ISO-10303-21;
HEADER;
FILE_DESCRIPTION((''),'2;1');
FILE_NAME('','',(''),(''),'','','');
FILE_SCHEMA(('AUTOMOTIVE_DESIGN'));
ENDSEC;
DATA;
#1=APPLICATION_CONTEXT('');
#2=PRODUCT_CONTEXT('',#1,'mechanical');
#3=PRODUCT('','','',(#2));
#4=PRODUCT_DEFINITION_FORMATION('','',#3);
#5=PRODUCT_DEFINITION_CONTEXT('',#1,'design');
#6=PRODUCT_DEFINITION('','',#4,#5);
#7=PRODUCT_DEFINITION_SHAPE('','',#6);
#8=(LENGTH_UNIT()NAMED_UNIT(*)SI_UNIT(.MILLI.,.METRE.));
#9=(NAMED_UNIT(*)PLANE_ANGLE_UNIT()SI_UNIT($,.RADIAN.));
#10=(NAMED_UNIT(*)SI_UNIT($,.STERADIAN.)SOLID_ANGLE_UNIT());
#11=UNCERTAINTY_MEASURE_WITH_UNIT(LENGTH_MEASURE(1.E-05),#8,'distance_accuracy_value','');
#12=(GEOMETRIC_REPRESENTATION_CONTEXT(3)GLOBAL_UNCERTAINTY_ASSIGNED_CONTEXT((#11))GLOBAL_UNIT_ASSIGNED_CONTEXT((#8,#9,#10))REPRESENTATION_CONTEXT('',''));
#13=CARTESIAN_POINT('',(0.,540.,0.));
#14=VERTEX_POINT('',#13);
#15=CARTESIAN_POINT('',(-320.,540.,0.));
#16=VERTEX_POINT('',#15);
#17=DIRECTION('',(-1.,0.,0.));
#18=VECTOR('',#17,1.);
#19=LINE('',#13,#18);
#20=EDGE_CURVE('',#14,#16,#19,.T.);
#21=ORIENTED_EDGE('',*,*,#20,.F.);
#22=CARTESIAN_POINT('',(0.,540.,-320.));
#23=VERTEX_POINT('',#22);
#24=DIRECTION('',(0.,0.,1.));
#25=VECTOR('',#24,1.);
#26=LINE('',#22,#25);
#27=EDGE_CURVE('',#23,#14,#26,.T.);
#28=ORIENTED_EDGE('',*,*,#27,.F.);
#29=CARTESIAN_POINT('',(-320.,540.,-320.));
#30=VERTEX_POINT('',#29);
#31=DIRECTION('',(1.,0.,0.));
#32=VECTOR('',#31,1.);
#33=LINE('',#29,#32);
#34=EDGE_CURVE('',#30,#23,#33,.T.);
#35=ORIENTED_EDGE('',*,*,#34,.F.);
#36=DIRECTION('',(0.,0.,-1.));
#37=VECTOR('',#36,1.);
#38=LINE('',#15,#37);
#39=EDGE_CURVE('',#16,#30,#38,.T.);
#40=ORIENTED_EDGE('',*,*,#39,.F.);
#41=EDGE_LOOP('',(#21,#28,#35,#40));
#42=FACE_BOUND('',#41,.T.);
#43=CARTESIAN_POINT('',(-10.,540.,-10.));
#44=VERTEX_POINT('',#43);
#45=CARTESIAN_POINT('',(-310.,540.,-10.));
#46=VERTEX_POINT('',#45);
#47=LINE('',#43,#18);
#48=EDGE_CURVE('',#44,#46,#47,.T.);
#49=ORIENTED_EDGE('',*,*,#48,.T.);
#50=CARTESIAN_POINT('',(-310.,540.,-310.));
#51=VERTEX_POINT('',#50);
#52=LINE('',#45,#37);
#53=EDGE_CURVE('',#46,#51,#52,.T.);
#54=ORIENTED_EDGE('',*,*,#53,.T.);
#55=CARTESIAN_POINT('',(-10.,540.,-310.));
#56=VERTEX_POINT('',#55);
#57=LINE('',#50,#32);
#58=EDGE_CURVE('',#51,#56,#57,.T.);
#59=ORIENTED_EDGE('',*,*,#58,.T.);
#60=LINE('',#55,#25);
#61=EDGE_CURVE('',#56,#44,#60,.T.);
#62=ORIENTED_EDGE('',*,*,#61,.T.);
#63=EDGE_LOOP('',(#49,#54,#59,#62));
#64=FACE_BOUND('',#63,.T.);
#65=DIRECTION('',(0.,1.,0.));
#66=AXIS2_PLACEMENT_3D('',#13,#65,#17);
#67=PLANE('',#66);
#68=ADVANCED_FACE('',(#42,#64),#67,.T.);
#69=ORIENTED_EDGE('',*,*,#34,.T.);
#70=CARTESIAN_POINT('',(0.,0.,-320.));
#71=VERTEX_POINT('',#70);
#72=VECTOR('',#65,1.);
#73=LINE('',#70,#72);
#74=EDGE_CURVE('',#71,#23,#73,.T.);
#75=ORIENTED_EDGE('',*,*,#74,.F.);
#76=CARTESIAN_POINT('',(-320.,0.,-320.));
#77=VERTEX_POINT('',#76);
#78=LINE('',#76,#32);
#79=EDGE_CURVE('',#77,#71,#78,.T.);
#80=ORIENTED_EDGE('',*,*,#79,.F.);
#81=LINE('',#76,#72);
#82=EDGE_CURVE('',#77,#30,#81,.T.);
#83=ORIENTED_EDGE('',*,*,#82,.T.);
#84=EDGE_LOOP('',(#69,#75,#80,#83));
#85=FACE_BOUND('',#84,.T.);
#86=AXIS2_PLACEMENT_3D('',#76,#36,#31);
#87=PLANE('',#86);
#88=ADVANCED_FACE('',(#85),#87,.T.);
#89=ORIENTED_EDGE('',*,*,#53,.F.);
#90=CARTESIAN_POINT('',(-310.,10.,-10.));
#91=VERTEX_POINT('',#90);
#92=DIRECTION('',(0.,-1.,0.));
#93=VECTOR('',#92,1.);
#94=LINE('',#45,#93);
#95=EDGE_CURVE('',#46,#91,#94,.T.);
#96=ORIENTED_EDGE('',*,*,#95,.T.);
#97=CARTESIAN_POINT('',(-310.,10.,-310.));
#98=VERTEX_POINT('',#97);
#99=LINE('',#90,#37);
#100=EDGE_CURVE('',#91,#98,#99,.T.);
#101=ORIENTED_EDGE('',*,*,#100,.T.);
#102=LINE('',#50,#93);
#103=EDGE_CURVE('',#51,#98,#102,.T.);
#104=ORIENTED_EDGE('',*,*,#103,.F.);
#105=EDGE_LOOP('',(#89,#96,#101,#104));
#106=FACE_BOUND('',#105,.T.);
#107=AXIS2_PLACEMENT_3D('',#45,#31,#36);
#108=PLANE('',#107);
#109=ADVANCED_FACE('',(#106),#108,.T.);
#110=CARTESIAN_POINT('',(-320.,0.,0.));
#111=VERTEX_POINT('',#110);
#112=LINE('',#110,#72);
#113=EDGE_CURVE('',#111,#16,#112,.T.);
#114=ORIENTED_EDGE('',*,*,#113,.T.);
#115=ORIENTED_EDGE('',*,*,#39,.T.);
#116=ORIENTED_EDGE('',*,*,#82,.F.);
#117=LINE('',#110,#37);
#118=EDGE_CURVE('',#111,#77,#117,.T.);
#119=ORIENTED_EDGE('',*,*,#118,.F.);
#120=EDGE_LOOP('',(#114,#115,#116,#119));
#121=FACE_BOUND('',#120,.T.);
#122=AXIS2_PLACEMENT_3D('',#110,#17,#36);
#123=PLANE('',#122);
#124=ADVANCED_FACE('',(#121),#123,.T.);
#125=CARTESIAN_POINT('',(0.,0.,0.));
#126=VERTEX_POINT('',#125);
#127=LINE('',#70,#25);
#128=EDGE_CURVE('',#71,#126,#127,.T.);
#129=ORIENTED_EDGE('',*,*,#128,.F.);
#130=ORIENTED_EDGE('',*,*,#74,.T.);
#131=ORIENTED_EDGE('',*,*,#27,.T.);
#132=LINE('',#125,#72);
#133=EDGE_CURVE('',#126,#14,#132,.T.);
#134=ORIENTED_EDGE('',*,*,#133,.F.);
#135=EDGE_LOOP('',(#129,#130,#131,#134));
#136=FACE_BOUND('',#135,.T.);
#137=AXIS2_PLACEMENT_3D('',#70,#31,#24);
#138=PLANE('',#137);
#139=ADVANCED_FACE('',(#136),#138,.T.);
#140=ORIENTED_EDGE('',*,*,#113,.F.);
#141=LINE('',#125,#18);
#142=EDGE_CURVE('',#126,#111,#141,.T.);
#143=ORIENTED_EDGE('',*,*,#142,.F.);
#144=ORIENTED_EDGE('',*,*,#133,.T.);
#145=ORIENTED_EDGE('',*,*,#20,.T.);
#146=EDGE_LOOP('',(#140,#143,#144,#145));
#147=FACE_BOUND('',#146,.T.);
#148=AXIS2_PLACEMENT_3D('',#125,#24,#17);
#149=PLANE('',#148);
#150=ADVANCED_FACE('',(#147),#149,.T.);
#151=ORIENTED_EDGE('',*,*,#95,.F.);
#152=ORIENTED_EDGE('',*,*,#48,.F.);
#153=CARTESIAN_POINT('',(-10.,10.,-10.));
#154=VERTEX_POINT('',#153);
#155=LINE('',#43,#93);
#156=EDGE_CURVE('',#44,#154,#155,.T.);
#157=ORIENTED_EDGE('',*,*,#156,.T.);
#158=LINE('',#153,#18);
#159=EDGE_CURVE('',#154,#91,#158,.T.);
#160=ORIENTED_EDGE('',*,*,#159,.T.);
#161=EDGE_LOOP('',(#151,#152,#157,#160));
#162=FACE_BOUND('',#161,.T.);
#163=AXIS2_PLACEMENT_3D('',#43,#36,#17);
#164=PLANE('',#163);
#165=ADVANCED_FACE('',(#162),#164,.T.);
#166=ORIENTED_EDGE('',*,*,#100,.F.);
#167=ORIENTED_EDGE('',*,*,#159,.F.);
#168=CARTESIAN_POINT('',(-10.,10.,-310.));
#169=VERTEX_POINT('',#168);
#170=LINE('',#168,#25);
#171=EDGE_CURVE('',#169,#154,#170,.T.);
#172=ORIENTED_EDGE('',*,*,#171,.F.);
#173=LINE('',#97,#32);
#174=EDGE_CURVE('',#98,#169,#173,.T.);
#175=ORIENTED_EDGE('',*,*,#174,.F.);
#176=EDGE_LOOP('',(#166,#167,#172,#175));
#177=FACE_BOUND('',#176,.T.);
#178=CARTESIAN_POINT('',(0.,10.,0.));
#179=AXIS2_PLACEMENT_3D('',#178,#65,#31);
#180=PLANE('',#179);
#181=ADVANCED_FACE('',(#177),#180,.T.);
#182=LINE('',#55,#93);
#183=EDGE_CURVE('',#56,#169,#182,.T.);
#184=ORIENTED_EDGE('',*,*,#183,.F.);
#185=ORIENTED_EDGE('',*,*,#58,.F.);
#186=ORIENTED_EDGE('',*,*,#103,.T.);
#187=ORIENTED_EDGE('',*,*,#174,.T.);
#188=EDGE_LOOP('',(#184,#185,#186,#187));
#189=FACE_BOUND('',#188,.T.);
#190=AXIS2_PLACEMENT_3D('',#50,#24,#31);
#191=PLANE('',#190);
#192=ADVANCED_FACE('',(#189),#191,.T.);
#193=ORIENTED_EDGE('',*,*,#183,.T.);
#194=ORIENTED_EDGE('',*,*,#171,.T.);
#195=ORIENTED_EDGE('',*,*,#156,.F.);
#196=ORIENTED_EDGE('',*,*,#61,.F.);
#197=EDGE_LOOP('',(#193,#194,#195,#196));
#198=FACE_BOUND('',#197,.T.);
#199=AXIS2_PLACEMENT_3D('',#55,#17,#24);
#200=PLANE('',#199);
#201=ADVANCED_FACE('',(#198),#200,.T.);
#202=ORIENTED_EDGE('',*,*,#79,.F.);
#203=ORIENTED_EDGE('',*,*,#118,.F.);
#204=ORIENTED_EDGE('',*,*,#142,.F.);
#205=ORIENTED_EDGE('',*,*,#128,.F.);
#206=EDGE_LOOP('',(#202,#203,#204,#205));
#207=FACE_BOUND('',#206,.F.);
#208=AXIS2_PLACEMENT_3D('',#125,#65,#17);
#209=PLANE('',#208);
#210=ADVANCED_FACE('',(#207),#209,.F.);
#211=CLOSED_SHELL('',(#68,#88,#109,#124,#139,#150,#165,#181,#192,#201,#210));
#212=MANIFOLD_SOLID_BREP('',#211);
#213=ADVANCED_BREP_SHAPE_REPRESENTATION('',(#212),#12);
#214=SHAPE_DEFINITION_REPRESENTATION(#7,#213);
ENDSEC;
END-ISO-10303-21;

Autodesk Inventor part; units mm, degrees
ref_plane "YZ Plane" through (0, 0, 0) normal (1, 0, 0) x (0, 1, 0)
ref_plane "XZ Plane" through (0, 0, 0) normal (0, 1, 0) x (-1, 0, 0)
ref_plane "XY Plane" through (0, 0, 0) normal (0, 0, 1) x (1, 0, 0)
sketch "Sketch1" plane through (0, 0, 0) normal (0, 1, 0) x (-1, 0, 0)
  line L0 (0, 0) -> (320, 0)
  line L1 (320, 0) -> (320, -320)
  line L2 (320, -320) -> (0, -320)
  line L3 (0, -320) -> (0, 0)
  dimension "d0" = 320
  dimension "d1" = 320
extrude "Extrusion1" add sketch "Sketch1" along normal blind 540
sketch "Sketch2" plane through (0, 540, 0) normal (0, 1, 0) x (1, 0, 0)
  line L0 (-310, 310) -> (-10, 310)
  line L1 (-10, 310) -> (-10, 10)
  line L2 (-10, 10) -> (-310, 10)
  line L3 (-310, 10) -> (-310, 310)
  line L4 (0, 320) -> (-320, 320) projected
  line L5 (-320, 0) -> (0, 0) projected
  line L6 (-320, 320) -> (-320, 0) projected
  line L7 (0, 0) -> (0, 320) projected
  dimension "d4" = 10
  dimension "d5" = 10
  dimension "d6" = 10
  dimension "d7" = 10
extrude "Extrusion2" cut sketch "Sketch2" against normal blind 530 contours L0 L1 L2 L3
properties part number "container" material "PC/ABS Plastic"
